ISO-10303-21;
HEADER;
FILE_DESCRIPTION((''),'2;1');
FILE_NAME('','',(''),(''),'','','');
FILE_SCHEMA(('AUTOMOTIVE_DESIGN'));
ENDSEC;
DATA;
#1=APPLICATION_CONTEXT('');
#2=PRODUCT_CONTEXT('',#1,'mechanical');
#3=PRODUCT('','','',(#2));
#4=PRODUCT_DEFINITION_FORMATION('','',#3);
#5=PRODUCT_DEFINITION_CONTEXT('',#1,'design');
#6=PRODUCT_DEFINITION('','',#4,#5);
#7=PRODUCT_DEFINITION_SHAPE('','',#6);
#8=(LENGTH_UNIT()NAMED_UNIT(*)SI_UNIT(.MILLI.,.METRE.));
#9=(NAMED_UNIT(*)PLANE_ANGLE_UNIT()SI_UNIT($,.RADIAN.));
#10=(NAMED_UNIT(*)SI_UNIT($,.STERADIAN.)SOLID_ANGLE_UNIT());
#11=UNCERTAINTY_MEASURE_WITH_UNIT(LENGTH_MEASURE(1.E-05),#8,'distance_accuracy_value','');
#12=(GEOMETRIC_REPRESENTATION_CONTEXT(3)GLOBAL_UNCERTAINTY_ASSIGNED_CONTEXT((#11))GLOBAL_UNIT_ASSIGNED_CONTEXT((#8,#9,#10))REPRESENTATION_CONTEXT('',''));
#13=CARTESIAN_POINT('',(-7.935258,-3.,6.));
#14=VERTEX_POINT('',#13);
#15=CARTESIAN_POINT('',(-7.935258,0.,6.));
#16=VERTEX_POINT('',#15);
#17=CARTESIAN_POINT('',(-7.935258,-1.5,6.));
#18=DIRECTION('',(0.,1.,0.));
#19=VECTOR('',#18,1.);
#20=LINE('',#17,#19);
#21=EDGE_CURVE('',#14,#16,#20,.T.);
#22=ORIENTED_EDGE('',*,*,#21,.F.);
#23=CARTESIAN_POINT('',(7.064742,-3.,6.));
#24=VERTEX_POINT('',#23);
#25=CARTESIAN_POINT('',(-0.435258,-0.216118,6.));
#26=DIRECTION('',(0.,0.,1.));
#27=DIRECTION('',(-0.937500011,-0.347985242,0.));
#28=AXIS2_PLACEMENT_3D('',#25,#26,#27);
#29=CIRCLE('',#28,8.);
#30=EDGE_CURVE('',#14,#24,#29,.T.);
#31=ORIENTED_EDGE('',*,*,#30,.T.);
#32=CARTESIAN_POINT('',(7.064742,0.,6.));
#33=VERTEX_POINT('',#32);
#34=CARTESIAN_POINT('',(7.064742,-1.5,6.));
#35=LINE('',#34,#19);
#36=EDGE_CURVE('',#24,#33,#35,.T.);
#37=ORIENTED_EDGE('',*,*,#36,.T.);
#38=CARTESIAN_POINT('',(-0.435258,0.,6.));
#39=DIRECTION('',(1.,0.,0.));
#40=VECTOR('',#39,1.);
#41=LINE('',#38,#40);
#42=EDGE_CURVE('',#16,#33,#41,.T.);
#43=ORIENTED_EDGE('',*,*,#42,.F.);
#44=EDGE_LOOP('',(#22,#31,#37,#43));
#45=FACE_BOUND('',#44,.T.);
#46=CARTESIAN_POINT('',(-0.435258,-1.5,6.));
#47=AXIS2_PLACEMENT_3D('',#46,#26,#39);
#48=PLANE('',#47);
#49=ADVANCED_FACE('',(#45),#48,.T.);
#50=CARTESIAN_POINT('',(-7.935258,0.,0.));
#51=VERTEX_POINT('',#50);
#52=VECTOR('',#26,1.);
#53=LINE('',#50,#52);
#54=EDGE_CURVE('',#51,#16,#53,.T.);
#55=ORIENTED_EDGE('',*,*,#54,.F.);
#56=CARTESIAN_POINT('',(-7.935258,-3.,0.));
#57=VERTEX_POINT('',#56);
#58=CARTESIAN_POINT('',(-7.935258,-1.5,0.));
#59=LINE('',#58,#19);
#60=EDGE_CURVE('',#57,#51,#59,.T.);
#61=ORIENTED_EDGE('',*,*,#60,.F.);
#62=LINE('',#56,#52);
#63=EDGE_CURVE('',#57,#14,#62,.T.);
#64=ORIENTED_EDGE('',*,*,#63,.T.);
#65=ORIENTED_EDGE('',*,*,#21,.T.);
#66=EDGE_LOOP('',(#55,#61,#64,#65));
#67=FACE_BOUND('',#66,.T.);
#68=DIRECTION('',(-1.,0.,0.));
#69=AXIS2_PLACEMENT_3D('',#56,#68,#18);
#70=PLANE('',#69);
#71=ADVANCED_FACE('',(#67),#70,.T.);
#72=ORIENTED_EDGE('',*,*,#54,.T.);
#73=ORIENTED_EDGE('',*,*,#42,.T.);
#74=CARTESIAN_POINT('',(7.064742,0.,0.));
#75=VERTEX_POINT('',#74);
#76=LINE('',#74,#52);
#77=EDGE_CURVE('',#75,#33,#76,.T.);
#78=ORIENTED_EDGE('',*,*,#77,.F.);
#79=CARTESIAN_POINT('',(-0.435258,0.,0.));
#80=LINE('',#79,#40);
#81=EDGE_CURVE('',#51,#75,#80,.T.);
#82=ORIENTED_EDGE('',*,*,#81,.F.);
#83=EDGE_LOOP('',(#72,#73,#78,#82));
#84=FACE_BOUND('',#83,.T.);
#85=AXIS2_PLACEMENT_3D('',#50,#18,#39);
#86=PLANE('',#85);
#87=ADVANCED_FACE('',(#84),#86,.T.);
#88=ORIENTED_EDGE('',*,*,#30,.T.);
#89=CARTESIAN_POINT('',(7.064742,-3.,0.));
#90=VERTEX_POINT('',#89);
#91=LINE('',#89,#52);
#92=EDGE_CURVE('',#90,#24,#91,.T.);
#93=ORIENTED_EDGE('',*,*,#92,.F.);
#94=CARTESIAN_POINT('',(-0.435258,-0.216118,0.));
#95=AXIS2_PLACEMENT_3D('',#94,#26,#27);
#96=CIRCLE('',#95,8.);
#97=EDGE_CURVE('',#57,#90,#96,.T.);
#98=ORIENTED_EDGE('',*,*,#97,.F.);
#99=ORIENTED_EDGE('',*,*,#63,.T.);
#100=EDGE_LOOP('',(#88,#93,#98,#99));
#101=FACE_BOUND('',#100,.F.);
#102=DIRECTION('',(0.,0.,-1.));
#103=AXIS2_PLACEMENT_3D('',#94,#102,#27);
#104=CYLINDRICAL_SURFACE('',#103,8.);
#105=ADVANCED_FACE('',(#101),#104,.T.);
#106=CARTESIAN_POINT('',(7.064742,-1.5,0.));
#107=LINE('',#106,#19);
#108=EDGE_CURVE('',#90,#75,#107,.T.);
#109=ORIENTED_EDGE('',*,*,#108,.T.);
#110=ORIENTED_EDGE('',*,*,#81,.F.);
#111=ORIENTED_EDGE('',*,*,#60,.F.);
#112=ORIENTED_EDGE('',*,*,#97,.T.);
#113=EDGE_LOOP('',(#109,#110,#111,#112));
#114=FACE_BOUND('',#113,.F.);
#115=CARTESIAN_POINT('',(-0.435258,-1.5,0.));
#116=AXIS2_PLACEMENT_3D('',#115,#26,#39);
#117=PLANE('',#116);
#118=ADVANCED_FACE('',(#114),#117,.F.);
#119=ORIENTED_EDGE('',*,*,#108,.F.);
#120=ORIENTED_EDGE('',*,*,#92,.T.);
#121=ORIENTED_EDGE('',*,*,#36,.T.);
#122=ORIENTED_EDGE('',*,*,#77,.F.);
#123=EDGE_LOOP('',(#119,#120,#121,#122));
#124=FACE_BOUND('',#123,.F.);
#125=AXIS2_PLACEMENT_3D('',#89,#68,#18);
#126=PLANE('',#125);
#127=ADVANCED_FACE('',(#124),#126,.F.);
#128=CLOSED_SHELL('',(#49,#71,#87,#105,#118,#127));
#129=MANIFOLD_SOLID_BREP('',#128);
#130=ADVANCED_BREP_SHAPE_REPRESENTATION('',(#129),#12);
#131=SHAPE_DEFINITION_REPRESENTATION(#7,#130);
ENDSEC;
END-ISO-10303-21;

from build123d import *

# Parameters (mm, degrees)
F0_W     = 15
F0_H     = 3
F1_DEPTH = 6


with BuildPart() as f1:
    # F0 (on Top) → F1 (new body)
    with BuildSketch(Plane.XY):
        with Locations((-0.435258, -1.5)):
            Rectangle(F0_W, F0_H)
        with BuildLine():
            Line((7.064742, -3), (-7.935258, -3))
            ThreePointArc((-7.935258, -3), (-0.435258, -8.216118), (7.064742, -3))
        make_face()
    extrude(amount=F1_DEPTH)


solid = f1.part
